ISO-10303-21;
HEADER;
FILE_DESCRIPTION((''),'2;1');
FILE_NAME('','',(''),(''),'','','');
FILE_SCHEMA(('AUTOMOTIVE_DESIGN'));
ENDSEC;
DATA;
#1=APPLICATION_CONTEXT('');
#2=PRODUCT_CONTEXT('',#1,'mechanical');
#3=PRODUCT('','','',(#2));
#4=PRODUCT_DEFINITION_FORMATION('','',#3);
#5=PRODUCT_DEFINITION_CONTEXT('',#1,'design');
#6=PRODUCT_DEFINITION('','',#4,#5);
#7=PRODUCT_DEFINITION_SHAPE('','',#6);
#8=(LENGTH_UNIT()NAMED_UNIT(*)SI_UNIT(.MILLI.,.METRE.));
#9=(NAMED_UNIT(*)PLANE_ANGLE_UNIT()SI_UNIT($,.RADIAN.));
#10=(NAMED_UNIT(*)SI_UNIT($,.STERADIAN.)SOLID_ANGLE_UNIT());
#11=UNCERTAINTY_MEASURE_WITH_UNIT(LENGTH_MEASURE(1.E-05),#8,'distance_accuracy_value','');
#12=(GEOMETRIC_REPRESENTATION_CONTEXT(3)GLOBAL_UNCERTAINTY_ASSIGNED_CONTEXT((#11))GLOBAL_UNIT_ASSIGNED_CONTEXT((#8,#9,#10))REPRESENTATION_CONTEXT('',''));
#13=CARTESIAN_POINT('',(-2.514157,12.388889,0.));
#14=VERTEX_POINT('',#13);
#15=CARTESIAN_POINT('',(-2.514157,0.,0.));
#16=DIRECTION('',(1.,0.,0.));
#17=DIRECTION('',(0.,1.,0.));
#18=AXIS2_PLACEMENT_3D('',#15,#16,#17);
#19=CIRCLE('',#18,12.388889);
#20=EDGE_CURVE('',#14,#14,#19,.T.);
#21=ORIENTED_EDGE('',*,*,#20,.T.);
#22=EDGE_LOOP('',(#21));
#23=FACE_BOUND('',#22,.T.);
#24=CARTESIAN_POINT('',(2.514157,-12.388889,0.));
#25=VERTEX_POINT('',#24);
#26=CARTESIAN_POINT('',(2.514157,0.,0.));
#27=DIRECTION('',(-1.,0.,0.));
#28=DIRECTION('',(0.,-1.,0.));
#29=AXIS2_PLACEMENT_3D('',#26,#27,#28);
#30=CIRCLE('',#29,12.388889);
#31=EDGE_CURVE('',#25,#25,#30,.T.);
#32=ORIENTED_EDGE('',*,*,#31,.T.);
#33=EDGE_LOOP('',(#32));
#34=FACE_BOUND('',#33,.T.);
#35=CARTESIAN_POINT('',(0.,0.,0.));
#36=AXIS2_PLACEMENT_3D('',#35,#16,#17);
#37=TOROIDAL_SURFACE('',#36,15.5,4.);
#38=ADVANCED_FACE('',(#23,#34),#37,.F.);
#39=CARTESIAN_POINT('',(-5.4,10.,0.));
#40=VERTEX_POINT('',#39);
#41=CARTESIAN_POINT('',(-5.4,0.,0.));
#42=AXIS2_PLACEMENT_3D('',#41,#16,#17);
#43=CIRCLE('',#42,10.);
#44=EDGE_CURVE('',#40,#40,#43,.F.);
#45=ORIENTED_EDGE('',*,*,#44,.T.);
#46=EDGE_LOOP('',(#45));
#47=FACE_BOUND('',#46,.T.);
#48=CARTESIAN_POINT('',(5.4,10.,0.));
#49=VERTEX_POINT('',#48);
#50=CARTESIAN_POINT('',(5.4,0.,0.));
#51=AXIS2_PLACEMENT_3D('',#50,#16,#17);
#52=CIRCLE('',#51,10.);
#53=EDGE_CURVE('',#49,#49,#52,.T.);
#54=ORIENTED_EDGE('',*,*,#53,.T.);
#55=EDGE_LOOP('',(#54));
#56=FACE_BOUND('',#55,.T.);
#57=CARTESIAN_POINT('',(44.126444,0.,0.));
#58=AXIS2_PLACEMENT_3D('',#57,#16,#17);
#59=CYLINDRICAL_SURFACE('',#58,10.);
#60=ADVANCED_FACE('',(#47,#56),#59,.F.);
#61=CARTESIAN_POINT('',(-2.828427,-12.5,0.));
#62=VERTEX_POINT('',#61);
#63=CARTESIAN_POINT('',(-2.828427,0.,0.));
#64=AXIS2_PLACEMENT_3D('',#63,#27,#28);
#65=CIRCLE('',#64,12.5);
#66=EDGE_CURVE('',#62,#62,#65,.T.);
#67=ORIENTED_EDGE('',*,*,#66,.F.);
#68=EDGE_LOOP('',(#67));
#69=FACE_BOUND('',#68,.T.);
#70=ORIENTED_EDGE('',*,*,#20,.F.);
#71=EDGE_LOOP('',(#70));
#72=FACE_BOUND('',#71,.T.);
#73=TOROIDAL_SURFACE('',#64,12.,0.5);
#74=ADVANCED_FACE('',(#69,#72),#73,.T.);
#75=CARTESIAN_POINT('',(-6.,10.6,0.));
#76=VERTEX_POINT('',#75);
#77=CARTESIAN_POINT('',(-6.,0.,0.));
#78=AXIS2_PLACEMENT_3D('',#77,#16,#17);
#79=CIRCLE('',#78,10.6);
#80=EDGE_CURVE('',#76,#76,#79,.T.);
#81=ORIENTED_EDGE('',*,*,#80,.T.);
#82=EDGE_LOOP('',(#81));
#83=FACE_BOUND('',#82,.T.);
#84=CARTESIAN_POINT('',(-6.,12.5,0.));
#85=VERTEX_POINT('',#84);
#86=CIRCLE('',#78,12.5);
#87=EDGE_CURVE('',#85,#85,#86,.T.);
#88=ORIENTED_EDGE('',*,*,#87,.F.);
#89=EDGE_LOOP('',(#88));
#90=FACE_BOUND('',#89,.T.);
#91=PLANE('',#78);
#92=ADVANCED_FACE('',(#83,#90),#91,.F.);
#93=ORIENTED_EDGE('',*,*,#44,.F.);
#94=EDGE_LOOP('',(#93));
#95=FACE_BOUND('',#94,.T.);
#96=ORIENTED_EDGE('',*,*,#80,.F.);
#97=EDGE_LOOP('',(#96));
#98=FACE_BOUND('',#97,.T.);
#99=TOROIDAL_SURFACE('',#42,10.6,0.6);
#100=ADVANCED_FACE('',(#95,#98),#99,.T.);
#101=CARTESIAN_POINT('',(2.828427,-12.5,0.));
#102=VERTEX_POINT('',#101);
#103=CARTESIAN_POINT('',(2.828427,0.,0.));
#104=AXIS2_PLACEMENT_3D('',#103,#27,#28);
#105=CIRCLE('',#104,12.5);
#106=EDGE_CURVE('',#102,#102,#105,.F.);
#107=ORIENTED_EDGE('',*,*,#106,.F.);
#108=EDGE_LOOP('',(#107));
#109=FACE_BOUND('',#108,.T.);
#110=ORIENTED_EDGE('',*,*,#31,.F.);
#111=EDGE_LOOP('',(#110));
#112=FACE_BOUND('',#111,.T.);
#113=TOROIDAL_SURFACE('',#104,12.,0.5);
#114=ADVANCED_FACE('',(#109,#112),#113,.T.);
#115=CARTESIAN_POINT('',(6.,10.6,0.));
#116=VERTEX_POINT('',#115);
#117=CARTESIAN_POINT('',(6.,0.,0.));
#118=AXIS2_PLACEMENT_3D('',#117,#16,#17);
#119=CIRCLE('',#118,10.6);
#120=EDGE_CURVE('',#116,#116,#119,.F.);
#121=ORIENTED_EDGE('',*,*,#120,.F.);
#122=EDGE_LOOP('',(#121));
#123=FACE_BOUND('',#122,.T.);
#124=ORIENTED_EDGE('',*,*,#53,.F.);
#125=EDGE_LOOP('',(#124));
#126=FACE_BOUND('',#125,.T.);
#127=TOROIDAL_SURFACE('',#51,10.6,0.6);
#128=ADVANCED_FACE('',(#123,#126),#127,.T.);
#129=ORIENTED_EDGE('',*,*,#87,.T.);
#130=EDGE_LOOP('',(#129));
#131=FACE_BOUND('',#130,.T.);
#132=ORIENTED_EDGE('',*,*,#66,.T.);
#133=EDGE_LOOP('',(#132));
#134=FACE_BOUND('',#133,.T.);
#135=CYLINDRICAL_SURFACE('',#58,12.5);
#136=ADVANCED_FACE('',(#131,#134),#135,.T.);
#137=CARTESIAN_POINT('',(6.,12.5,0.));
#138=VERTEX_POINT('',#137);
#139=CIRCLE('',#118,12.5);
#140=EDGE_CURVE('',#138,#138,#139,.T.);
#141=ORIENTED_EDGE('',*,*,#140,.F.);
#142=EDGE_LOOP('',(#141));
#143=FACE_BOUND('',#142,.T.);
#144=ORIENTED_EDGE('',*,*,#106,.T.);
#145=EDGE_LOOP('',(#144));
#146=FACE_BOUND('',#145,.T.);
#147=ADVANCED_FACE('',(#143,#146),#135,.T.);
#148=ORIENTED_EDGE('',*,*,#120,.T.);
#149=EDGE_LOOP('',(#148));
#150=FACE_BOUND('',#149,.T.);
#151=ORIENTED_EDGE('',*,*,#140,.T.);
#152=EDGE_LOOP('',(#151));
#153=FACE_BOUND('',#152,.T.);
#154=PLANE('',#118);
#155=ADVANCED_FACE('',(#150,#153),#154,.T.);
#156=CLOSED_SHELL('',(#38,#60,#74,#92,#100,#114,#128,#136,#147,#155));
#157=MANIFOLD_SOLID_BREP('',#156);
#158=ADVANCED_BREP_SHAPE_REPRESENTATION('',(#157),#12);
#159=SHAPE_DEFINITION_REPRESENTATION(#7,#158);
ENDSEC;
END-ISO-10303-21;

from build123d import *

# Parameters (mm, degrees)
FILLET1_R = 0.6
FILLET2_R = 0.5


with BuildPart() as part:
    # Sketch1 → Revolve1 (revolve)
    with BuildSketch(Plane.XY):
        with BuildLine():
            Line((-6, 12.5), (-6, 10))
            Line((-6, 10), (6, 10))
            Line((6, 10), (6, 12.5))
            Line((6, 12.5), (2.645751311, 12.5))
            ThreePointArc((2.645751311, 12.5), (0, 11.5), (-2.645751311, 12.5))
            Line((-2.645751311, 12.5), (-6, 12.5))
        make_face()
    revolve(axis=Axis((44.126443973, 0, 0), (-1, 0, 0)))

    # Fillet1
    fillet1_edges = [part.edges().sort_by_distance(p)[0] for p in [
        (6, -10, 0),
        (-6, -10, 0),
    ]]
    fillet(fillet1_edges, radius=FILLET1_R)

    # Fillet2
    fillet2_edges = [part.edges().sort_by_distance(p)[0] for p in [
        (2.645751311, -12.5, 0),
        (-2.645751311, -12.5, 0),
    ]]
    fillet(fillet2_edges, radius=FILLET2_R)


solid = part.part
